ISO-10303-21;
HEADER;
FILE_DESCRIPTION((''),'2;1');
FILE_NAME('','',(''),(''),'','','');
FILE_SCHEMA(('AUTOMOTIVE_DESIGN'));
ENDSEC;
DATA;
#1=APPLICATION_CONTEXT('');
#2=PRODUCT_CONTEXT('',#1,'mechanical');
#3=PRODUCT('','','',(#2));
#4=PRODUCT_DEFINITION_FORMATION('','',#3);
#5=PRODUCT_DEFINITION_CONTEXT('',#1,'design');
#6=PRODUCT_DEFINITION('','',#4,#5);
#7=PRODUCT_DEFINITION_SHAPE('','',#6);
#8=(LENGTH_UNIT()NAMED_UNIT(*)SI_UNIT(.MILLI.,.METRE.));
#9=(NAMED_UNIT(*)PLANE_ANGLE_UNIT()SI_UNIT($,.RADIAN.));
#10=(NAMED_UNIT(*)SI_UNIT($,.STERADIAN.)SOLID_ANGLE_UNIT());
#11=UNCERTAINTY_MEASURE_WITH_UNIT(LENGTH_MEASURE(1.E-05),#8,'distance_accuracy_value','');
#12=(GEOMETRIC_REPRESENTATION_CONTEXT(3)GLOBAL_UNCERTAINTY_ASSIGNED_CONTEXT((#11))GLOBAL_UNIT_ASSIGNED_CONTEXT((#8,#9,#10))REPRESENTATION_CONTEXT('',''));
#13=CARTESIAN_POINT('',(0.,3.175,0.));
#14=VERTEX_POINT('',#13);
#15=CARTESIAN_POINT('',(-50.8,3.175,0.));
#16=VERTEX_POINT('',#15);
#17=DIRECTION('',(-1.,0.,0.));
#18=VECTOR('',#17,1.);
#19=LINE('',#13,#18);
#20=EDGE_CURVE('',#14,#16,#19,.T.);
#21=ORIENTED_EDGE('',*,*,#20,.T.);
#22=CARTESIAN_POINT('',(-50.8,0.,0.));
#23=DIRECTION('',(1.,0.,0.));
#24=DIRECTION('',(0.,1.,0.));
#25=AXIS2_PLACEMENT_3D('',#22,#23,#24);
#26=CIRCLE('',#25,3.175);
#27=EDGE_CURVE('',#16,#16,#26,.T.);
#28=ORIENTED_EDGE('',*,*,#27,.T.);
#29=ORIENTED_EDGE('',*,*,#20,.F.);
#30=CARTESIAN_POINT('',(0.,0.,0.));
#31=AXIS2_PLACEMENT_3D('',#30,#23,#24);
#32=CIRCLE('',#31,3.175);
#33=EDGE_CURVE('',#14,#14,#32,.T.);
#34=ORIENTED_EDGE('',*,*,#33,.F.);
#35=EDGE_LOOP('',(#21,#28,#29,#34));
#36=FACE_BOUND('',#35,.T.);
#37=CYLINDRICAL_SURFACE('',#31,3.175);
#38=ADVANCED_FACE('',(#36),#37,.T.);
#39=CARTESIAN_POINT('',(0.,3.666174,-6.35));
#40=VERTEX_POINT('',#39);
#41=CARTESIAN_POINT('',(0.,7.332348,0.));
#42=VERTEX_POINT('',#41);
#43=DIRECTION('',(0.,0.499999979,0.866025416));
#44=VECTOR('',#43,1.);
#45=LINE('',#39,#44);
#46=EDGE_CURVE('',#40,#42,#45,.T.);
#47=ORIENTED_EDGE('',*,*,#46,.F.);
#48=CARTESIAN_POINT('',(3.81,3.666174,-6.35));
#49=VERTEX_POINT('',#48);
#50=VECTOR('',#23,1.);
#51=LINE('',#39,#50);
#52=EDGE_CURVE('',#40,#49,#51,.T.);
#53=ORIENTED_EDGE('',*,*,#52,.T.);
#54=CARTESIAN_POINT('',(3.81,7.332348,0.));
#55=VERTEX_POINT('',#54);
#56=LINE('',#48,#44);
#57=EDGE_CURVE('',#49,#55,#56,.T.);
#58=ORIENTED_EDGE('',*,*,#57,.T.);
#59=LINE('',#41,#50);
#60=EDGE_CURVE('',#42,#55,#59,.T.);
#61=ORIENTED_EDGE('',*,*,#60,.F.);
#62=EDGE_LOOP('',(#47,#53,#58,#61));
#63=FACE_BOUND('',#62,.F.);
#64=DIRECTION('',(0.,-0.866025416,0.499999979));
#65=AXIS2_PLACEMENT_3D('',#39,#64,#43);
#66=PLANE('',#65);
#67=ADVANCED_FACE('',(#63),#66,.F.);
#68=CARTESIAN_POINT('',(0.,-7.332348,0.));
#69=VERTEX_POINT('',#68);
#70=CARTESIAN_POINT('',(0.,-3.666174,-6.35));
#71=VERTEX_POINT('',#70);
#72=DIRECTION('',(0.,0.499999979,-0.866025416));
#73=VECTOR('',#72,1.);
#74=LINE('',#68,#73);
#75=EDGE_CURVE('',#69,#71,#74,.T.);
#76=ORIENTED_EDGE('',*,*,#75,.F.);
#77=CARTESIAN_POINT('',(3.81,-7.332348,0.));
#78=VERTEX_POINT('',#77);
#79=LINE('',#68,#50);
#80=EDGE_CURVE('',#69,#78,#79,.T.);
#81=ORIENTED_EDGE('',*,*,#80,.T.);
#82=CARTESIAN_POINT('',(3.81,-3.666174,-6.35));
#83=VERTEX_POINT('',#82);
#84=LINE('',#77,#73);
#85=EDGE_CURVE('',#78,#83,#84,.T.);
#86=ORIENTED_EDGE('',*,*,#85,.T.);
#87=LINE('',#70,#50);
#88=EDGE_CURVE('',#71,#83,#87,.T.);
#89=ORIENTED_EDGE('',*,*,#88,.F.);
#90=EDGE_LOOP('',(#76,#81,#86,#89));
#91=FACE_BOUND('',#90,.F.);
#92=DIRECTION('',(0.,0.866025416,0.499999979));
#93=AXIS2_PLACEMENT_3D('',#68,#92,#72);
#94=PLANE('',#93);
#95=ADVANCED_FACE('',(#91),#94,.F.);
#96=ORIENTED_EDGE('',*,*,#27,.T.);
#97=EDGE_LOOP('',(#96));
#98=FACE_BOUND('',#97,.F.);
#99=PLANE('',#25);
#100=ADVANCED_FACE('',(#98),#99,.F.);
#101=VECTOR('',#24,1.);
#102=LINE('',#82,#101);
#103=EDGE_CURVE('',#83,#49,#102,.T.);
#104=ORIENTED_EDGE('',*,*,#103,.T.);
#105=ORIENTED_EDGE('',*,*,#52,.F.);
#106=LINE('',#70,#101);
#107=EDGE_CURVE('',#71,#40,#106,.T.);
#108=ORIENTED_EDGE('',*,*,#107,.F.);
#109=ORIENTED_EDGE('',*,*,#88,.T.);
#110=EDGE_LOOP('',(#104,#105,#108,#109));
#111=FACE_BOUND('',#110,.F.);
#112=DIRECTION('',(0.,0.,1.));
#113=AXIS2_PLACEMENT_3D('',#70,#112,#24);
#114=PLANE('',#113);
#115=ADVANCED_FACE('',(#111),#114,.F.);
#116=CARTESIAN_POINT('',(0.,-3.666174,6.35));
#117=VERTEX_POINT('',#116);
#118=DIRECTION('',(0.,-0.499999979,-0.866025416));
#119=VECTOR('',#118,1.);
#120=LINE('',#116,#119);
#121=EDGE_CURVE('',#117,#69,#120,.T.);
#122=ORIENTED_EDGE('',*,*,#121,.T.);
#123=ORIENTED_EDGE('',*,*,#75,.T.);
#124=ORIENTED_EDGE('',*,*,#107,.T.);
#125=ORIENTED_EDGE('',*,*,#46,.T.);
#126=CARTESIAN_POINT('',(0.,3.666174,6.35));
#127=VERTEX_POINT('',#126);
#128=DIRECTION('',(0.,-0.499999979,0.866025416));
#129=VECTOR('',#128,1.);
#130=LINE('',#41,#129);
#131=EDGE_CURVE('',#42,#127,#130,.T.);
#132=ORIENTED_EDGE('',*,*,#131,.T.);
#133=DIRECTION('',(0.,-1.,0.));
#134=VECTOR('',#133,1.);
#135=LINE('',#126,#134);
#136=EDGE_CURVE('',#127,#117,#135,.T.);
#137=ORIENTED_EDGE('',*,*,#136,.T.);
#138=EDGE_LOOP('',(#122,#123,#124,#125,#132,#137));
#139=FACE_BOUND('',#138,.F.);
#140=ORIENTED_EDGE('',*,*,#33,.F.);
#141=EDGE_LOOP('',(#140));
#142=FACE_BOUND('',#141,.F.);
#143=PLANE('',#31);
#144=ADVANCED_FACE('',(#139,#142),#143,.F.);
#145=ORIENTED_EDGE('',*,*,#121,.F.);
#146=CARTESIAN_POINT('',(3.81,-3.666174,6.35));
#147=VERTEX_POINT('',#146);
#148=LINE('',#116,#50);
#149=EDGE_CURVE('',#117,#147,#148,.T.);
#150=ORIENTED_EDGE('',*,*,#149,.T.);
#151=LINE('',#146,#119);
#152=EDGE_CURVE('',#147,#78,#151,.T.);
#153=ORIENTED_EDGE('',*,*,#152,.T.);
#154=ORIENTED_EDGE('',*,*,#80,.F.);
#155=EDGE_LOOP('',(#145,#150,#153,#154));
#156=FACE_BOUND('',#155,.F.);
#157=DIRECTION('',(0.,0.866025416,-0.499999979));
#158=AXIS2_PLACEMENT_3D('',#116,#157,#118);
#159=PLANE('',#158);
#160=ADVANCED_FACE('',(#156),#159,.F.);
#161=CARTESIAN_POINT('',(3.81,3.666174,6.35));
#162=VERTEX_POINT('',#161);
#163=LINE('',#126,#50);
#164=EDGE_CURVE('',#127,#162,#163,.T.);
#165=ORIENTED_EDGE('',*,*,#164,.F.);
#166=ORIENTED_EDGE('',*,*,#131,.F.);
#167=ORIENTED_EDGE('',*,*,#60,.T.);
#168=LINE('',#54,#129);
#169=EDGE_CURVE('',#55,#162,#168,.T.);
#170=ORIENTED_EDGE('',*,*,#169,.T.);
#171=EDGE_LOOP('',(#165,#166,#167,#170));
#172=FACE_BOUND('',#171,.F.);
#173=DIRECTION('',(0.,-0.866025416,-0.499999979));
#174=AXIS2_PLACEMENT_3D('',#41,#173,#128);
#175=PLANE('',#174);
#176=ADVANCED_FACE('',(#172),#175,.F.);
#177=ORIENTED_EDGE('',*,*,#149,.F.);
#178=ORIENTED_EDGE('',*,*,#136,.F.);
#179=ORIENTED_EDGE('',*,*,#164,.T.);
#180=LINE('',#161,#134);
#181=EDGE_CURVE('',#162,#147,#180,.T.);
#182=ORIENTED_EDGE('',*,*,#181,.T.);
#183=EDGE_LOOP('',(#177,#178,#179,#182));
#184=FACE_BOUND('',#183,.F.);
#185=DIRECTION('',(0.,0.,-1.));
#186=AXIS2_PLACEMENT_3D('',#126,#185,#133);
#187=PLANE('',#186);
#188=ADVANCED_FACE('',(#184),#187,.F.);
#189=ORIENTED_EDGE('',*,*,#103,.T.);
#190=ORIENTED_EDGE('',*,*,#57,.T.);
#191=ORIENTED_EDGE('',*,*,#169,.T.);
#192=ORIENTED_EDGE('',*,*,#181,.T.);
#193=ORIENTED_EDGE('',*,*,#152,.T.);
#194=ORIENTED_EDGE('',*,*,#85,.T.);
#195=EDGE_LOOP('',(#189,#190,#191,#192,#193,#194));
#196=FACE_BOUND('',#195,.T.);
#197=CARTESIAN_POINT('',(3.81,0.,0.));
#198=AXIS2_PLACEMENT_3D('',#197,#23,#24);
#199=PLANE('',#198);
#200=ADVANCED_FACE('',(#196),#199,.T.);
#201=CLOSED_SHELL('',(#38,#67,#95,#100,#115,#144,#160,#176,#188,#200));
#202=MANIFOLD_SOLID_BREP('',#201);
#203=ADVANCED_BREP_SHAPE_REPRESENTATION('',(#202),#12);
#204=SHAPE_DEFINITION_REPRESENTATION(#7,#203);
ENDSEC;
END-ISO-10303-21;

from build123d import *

# Parameters (mm, degrees)
F1_DEPTH = 3.81
F2_R     = 3.175
F3_DEPTH = 50.8


with BuildPart() as f1:
    # F0 (on Right) → F1 (new body)
    with BuildSketch(Plane.YZ):
        Polygon((-3.666174, -6.35), (3.666174, -6.35), (7.332348, 0), (3.666174, 6.35), (-3.666174, 6.35), (-7.332348, 0), align=None)
    extrude(amount=F1_DEPTH)

    # F2 (on Right) → F3 (join)
    with BuildSketch(Plane.YZ):
        Circle(F2_R)
    extrude(amount=-F3_DEPTH)


solid = f1.part
